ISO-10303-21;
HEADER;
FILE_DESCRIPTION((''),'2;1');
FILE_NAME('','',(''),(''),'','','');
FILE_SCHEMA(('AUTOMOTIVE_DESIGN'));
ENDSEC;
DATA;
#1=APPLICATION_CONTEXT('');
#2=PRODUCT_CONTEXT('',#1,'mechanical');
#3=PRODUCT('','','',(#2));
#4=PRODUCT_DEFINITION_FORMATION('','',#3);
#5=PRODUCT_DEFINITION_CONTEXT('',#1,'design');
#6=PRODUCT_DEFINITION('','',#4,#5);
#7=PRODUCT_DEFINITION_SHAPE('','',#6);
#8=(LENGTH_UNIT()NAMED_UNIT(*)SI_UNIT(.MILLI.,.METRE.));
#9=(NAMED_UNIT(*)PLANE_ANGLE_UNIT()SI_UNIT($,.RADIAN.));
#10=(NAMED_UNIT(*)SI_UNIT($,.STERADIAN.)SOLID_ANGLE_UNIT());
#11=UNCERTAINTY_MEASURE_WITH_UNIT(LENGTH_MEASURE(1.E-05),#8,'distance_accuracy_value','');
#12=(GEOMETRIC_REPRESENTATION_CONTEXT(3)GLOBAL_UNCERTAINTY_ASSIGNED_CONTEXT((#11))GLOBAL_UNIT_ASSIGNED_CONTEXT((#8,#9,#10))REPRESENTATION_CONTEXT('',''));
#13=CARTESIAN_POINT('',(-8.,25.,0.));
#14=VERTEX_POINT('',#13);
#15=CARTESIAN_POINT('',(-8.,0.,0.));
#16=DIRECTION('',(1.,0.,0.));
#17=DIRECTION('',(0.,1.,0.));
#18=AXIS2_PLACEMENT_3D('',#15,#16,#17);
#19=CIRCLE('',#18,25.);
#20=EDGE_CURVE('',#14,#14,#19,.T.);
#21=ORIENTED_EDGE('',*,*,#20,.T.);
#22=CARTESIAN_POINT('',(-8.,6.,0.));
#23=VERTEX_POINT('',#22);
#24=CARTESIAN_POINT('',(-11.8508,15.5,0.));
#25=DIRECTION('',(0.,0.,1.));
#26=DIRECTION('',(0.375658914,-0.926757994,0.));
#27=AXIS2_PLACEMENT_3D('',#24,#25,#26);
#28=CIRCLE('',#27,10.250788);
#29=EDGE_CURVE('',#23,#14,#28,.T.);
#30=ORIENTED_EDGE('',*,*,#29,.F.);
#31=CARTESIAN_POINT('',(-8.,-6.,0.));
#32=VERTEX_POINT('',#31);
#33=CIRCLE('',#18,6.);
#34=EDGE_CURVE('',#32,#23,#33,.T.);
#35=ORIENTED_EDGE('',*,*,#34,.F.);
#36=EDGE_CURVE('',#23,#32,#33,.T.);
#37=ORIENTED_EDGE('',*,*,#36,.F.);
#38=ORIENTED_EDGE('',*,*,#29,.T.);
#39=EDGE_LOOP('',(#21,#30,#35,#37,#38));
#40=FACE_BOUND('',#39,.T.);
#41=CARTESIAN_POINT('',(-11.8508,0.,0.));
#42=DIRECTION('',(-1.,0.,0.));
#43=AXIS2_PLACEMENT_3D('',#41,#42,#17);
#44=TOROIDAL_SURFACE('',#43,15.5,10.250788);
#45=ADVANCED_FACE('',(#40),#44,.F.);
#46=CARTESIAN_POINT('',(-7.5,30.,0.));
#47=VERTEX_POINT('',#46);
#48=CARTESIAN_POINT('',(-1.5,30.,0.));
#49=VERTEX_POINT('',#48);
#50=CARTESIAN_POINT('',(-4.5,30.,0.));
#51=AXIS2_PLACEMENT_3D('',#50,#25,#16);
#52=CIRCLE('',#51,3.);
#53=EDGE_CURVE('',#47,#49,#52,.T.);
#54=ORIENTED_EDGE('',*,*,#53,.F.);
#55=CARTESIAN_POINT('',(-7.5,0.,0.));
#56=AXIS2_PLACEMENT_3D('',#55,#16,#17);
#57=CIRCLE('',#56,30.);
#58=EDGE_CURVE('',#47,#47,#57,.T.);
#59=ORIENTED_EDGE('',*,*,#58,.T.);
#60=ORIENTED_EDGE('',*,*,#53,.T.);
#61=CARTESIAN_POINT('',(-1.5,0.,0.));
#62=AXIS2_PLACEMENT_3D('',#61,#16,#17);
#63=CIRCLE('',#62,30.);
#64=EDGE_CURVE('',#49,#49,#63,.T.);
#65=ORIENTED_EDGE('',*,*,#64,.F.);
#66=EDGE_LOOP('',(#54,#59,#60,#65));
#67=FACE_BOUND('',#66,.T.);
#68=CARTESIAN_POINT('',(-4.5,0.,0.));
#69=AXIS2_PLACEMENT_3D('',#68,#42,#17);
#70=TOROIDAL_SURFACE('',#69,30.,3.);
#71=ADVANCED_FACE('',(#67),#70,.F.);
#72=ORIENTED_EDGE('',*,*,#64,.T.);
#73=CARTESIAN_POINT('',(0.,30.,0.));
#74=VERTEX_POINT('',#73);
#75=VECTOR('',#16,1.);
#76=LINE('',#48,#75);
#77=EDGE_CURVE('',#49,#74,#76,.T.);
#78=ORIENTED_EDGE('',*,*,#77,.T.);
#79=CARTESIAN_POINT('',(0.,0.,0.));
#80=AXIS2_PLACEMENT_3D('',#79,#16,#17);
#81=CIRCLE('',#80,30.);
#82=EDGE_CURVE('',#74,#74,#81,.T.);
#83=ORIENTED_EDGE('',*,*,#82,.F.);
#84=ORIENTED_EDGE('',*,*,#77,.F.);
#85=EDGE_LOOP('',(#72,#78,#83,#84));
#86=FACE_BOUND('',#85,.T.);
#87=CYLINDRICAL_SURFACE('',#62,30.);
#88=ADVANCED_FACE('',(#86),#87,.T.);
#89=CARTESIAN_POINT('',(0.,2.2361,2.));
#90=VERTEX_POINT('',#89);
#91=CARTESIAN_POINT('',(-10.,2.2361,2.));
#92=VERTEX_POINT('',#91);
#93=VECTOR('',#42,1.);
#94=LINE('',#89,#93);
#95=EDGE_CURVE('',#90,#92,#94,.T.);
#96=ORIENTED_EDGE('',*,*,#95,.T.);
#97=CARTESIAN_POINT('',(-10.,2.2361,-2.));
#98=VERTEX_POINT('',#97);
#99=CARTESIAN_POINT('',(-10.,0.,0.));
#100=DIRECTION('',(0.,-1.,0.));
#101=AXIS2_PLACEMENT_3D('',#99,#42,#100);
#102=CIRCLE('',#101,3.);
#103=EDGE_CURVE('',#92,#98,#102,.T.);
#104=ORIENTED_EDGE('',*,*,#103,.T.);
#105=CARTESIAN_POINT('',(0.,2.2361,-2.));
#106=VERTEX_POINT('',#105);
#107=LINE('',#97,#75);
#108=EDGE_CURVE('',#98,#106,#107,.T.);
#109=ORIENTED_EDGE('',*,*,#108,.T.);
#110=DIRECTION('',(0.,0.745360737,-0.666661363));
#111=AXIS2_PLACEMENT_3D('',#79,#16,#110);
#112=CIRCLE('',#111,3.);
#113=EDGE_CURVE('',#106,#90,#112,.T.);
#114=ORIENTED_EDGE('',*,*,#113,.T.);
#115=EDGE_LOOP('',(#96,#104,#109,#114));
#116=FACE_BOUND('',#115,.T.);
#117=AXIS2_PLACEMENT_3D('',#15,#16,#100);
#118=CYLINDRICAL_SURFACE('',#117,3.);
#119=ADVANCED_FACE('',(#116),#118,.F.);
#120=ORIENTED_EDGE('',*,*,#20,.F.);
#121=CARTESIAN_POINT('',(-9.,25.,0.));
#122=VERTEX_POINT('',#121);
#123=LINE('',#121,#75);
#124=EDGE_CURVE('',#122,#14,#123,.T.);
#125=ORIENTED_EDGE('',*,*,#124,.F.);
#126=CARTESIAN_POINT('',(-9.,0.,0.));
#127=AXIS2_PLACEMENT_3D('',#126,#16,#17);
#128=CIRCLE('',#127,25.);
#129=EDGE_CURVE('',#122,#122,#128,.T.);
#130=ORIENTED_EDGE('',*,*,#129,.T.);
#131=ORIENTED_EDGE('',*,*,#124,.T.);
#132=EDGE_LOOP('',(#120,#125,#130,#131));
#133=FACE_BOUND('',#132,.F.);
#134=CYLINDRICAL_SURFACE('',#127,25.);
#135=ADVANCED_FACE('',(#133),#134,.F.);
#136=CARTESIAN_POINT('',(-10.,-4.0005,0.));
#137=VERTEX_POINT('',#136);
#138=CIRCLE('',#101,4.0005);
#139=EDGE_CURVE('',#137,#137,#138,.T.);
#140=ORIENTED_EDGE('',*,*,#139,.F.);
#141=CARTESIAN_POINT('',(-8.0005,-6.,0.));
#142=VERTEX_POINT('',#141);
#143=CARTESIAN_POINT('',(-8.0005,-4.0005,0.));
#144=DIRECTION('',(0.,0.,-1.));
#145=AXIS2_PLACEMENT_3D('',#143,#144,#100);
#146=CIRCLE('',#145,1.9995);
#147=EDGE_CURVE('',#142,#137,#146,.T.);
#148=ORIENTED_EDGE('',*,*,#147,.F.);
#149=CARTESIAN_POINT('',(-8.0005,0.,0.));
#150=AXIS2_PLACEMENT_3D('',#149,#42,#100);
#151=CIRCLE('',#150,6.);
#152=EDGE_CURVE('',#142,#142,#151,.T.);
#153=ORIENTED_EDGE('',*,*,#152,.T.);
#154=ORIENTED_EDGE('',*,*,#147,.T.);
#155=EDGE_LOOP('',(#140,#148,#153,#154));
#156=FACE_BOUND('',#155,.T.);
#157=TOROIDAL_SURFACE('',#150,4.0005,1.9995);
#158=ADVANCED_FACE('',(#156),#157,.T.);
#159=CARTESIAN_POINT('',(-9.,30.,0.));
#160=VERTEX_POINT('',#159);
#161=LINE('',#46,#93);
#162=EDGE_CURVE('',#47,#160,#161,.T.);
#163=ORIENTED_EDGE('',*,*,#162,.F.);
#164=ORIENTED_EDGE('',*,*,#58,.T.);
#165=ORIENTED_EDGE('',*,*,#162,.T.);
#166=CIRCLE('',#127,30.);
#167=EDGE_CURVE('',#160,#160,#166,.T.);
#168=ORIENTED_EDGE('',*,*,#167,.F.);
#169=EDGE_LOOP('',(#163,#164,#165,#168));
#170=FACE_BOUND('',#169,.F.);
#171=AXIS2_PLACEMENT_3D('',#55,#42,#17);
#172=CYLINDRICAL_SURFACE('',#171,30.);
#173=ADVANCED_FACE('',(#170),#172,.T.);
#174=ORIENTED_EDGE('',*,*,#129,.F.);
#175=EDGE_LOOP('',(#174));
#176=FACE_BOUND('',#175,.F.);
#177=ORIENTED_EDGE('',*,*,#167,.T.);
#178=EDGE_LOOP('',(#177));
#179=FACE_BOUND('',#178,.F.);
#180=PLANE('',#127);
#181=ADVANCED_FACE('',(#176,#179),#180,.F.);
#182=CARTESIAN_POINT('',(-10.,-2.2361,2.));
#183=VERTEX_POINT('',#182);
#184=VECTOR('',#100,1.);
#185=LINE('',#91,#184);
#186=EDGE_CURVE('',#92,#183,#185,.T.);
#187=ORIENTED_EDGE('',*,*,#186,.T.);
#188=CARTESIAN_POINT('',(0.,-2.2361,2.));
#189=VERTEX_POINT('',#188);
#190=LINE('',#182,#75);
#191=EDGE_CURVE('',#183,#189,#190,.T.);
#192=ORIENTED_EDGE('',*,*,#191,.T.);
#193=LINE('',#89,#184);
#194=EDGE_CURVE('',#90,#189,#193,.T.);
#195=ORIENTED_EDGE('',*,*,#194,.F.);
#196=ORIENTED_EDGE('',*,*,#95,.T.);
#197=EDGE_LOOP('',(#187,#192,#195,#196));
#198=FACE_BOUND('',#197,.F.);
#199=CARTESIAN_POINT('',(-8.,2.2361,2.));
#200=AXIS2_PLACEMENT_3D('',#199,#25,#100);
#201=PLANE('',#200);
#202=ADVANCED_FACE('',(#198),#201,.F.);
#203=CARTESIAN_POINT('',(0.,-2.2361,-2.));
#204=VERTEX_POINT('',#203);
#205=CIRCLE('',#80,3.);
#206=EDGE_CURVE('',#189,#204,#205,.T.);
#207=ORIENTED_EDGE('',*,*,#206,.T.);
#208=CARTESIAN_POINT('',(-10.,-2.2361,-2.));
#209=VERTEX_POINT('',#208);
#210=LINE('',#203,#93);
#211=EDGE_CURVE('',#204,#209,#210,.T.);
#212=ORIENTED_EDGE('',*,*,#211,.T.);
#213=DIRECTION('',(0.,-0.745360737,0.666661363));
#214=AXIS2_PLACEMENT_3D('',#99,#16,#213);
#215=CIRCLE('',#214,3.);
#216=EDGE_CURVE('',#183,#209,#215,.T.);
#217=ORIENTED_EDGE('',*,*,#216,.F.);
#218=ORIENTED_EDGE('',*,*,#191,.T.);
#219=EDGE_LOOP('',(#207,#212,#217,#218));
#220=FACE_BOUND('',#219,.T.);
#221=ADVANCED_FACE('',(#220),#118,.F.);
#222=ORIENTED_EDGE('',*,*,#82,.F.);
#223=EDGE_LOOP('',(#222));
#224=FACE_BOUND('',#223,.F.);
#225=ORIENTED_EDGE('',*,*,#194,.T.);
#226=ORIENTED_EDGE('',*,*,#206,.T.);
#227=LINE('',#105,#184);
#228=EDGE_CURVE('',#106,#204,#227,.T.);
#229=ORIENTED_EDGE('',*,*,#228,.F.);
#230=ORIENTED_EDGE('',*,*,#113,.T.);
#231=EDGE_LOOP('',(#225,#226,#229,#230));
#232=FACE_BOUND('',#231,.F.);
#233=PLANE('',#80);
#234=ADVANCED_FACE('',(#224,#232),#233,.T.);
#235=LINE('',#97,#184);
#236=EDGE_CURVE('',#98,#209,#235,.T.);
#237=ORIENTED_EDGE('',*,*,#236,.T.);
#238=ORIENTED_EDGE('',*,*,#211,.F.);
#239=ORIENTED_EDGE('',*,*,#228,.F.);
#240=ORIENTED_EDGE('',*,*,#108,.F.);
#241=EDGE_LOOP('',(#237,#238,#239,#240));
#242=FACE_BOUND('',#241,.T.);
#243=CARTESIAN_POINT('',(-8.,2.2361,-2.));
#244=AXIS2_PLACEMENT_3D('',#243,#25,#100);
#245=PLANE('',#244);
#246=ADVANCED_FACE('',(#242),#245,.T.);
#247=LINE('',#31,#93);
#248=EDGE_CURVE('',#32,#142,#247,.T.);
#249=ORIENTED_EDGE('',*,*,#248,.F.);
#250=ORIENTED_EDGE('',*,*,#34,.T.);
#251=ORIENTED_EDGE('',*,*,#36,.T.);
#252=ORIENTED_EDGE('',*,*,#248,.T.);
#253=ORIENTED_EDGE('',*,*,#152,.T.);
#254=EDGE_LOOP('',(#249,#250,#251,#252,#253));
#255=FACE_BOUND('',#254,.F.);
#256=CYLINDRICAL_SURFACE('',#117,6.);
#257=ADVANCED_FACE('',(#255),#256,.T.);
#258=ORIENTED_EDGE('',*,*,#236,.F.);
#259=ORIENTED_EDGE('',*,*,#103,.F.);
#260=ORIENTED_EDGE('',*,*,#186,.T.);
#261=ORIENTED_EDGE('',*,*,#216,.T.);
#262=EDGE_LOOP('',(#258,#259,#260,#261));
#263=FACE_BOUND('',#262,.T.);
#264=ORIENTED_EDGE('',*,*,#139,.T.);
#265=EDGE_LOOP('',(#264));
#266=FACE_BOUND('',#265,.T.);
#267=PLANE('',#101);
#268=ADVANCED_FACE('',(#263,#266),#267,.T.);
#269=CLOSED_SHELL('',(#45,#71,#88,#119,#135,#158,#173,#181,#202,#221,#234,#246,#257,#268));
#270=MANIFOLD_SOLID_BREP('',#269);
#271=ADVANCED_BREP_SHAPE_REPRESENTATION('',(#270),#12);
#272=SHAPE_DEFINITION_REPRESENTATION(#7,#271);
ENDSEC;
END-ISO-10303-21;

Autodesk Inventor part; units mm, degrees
ref_plane "YZ Plane" through (0, 0, 0) normal (1, 0, 0) x (0, 1, 0)
ref_plane "XZ Plane" through (0, 0, 0) normal (0, 1, 0) x (-1, 0, 0)
sketch "Esboço1" plane through (0, 0, 0) normal (0, 0, 1) x (1, 0, 0)
  line L0 (0, 0) -> (0, 30)
  line L1 (0, 3) -> (-8, 3)
  line L2 (0, 0) -> (2.8421, 0)
  circle A0 centre (-4.5, 30) radius 3
  line L3 (-1.5, 30) -> (0, 30)
  line L4 (-7.5, 30) -> (-9, 30)
  line L5 (-8, 3) -> (-8, 6)
  line L6 (-9, 30) -> (-9, 25)
  line L7 (-9, 25) -> (-8, 25)
  arc A1 (-8, 6) -> (-8, 25) centre (-11.8508, 15.5) ccw
  point P0 (0, 15)
  point P1 (-1.6, 15.5)
  dimension "d1" = 3
  dimension "d3" = 6
  dimension "d4" = 1.5
  dimension "d7" = 1.5
  dimension "d15" = 8
  dimension "d79" = 0
  dimension "d80" = 0
  dimension "d81" = 30
  dimension "d93" = 5
  dimension "d94" = 3
  dimension "d95" = 1.6
revolve "Revolução1" add sketch "Esboço1" angle 360 about axis through (0, 0, 0) along (1, 0, 0) contours L1 L5 A1 L7 L6 L4 A0 L3 L0
sketch "Esboço3" plane through (-8, 0, 0) normal (-1, 0, 0) x (0, -1, 0)
  circle A0 centre (0, 0) radius 3 projected
  arc A1 (-2.2361, -2) -> (0, -3) centre (0, 0) ccw
  arc A2 (-2.2361, -2) -> (2.2361, -2) centre (0, 0) ccw
  line L0 (-2.2361, 2) -> (2.2361, 2)
  line L1 (-2.2361, -2) -> (2.2361, -2)
  dimension "d84" = 4
sketch "Esboço6" plane through (-8, 0, 0) normal (-1, 0, 0) x (0, -1, 0)
  circle A0 centre (0, 0) radius 6 projected
  circle A1 centre (0, 0) radius 3
ref_plane "Plano de trabalho4" through (-4.5, 0, 0) normal (-1, 0, 0) x (0, 0, 1)
extrude "Extrusão9" add sketch "Esboço3" along normal blind 2 and the other way blind 8 contours L0 A0 | A0 L1
extrude "Extrusão10" add sketch "Esboço6" along normal blind 2
fillet "Arredondamento13" radius 2 1 edges at (-10, 6, 0)
equation "\"d23\" = d22"
equation "\"d22\" = 10deg"
properties part number "Rodinha-01"
